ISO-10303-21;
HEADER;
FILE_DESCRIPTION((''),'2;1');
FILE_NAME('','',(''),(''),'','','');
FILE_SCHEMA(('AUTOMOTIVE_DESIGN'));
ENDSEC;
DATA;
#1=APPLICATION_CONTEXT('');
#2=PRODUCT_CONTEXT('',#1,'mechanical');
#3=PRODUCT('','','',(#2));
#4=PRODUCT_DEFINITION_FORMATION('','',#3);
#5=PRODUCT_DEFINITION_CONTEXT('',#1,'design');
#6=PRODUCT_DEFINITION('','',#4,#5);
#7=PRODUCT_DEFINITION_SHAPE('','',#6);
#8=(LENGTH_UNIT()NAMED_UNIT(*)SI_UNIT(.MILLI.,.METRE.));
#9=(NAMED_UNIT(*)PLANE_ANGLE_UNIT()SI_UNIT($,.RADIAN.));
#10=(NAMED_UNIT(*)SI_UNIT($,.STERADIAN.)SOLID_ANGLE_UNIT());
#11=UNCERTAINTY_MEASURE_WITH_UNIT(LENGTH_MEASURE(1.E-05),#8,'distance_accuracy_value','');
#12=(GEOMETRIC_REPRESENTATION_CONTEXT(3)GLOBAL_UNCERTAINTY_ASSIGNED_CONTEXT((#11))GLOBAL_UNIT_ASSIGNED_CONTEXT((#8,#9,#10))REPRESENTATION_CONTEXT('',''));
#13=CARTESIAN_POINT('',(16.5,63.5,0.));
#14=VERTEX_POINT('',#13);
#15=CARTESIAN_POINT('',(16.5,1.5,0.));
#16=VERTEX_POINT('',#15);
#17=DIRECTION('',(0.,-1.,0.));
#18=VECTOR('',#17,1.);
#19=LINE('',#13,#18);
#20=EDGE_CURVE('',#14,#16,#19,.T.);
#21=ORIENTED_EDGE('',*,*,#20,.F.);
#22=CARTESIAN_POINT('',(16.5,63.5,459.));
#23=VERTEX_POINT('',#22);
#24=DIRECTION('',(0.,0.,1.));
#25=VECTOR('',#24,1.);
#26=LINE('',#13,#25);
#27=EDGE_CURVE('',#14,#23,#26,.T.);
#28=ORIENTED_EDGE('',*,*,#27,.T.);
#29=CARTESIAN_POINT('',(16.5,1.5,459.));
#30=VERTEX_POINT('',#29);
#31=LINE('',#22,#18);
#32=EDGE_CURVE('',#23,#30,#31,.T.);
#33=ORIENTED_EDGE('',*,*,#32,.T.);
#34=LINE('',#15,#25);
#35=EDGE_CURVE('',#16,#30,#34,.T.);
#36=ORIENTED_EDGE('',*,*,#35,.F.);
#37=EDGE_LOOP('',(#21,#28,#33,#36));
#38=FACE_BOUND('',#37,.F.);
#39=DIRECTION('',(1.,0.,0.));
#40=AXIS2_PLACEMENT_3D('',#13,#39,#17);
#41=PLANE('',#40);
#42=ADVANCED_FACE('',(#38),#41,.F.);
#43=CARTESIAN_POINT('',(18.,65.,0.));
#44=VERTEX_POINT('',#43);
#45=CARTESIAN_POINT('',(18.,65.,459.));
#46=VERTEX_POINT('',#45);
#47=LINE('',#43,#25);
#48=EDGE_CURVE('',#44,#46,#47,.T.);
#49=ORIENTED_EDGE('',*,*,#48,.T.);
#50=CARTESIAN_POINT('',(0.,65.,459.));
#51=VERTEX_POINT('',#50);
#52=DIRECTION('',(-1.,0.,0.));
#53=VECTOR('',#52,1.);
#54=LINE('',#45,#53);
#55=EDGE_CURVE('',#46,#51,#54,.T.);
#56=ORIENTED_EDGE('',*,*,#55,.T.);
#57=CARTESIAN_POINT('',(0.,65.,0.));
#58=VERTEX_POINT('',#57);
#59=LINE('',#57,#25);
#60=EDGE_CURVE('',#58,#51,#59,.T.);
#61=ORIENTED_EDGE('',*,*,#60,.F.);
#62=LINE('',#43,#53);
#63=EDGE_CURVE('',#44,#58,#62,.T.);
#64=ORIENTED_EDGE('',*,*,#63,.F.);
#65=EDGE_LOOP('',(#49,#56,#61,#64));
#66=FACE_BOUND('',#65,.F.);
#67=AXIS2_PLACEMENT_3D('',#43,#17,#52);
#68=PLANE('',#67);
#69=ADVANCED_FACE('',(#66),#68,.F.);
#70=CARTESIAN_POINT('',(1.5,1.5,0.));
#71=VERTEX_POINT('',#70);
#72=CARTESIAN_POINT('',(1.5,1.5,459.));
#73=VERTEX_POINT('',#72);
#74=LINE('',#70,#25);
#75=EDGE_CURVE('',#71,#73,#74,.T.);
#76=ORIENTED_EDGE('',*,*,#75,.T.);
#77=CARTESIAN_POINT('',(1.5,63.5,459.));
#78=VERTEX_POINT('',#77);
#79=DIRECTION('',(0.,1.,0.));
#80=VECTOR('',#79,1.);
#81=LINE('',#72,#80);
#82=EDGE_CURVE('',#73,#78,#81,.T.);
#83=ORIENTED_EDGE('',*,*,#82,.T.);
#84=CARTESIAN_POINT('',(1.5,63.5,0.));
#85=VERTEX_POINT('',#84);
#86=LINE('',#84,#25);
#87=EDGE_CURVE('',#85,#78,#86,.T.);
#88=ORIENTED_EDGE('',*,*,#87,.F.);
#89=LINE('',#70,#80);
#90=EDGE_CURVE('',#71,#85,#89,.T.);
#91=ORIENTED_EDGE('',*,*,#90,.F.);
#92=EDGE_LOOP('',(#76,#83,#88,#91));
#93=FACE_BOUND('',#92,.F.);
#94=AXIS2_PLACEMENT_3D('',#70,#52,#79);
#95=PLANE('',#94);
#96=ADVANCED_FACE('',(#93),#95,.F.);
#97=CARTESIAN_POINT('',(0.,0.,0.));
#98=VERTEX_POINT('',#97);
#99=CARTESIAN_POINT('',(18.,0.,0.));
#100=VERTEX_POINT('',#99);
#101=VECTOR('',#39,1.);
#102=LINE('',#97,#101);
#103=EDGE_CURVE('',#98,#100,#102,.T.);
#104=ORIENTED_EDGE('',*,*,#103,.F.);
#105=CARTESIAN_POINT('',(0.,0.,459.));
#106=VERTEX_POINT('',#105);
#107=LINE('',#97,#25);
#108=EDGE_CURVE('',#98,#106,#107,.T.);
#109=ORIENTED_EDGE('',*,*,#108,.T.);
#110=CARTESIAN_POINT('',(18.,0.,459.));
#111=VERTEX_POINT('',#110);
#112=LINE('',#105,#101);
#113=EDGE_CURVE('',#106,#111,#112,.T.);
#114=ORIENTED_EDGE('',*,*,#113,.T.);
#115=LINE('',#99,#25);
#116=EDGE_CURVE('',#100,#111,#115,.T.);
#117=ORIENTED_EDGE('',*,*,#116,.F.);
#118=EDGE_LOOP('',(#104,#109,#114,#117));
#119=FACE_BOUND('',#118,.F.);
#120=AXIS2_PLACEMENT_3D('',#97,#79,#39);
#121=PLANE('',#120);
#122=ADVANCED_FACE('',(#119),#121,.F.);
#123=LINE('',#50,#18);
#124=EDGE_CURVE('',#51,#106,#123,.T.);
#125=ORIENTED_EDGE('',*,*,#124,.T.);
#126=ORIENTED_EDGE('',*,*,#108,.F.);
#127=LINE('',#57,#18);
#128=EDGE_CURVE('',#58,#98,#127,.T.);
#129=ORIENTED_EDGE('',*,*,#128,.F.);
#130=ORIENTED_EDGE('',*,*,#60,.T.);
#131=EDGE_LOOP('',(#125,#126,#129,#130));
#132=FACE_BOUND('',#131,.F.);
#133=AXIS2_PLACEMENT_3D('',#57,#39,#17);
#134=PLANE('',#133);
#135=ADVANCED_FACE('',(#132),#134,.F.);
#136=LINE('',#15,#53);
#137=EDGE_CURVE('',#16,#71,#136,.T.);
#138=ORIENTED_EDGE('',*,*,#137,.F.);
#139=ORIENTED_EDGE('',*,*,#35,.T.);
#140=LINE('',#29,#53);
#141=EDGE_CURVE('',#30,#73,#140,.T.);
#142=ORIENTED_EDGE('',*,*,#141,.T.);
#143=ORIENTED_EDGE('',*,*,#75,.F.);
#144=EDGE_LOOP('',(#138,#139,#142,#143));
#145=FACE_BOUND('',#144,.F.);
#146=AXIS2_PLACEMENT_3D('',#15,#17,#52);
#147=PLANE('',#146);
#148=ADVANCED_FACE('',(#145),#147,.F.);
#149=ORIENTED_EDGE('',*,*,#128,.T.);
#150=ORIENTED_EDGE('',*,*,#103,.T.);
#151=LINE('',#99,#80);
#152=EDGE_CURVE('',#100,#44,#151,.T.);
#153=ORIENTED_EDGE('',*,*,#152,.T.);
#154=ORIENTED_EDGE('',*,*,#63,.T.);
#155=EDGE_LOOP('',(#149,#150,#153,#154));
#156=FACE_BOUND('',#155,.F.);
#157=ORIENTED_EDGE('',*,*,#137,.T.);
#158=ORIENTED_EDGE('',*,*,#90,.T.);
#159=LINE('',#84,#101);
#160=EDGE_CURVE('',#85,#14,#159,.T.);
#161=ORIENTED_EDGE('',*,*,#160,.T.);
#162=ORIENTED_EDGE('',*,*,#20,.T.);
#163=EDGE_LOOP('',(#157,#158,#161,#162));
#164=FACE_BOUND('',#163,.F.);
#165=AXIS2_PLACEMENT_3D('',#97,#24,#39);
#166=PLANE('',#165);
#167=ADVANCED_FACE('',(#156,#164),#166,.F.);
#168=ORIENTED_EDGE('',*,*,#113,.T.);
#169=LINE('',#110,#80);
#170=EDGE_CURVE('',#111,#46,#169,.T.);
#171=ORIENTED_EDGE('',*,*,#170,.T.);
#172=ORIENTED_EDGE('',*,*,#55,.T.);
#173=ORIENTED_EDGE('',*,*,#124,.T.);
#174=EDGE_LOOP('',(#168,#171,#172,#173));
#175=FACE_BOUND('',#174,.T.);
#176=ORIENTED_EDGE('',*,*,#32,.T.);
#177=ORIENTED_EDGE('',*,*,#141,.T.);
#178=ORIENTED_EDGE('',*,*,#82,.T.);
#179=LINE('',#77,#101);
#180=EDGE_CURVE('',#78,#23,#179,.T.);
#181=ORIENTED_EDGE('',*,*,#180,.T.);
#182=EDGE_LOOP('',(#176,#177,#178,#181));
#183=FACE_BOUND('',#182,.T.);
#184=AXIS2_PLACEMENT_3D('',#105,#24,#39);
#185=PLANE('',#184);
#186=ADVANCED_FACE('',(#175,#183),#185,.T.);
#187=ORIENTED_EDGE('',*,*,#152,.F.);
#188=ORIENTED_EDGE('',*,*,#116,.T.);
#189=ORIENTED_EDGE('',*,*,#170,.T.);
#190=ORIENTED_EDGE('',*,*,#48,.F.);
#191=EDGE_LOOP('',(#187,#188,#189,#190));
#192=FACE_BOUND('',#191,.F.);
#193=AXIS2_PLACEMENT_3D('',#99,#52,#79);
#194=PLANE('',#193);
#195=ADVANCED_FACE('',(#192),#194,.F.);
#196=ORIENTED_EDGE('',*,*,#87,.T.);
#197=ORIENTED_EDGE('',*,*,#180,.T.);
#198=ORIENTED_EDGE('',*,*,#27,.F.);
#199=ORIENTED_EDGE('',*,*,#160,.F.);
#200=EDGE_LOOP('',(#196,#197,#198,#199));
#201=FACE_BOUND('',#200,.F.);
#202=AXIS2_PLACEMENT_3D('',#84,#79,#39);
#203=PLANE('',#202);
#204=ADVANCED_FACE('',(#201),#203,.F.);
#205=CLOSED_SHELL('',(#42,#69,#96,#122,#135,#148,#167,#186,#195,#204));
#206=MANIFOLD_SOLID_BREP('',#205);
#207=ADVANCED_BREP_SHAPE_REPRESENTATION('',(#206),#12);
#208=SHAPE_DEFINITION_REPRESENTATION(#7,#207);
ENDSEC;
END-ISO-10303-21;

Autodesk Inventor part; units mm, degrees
ref_plane "YZ Plane" through (0, 0, 0) normal (1, 0, 0) x (0, 1, 0)
ref_plane "XZ Plane" through (0, 0, 0) normal (0, 1, 0) x (-1, 0, 0)
ref_plane "XY Plane" through (0, 0, 0) normal (0, 0, 1) x (1, 0, 0)
sketch "Sketch1" plane through (0, 0, 0) normal (0, 0, 1) x (1, 0, 0)
  line L0 (0, 0) -> (18, 0)
  line L1 (18, 0) -> (18, 65)
  line L2 (18, 65) -> (0, 65)
  line L3 (0, 65) -> (0, 0)
  line L4 (1.5, 63.5) -> (16.5, 63.5)
  line L5 (16.5, 63.5) -> (16.5, 1.5)
  line L6 (16.5, 1.5) -> (1.5, 1.5)
  line L7 (1.5, 1.5) -> (1.5, 63.5)
  dimension "d0" = 18
  dimension "d1" = 65
  dimension "d2" = 1.5
extrude "Extrusion1" add sketch "Sketch1" along normal blind 459
properties part number "Y Rail square"
